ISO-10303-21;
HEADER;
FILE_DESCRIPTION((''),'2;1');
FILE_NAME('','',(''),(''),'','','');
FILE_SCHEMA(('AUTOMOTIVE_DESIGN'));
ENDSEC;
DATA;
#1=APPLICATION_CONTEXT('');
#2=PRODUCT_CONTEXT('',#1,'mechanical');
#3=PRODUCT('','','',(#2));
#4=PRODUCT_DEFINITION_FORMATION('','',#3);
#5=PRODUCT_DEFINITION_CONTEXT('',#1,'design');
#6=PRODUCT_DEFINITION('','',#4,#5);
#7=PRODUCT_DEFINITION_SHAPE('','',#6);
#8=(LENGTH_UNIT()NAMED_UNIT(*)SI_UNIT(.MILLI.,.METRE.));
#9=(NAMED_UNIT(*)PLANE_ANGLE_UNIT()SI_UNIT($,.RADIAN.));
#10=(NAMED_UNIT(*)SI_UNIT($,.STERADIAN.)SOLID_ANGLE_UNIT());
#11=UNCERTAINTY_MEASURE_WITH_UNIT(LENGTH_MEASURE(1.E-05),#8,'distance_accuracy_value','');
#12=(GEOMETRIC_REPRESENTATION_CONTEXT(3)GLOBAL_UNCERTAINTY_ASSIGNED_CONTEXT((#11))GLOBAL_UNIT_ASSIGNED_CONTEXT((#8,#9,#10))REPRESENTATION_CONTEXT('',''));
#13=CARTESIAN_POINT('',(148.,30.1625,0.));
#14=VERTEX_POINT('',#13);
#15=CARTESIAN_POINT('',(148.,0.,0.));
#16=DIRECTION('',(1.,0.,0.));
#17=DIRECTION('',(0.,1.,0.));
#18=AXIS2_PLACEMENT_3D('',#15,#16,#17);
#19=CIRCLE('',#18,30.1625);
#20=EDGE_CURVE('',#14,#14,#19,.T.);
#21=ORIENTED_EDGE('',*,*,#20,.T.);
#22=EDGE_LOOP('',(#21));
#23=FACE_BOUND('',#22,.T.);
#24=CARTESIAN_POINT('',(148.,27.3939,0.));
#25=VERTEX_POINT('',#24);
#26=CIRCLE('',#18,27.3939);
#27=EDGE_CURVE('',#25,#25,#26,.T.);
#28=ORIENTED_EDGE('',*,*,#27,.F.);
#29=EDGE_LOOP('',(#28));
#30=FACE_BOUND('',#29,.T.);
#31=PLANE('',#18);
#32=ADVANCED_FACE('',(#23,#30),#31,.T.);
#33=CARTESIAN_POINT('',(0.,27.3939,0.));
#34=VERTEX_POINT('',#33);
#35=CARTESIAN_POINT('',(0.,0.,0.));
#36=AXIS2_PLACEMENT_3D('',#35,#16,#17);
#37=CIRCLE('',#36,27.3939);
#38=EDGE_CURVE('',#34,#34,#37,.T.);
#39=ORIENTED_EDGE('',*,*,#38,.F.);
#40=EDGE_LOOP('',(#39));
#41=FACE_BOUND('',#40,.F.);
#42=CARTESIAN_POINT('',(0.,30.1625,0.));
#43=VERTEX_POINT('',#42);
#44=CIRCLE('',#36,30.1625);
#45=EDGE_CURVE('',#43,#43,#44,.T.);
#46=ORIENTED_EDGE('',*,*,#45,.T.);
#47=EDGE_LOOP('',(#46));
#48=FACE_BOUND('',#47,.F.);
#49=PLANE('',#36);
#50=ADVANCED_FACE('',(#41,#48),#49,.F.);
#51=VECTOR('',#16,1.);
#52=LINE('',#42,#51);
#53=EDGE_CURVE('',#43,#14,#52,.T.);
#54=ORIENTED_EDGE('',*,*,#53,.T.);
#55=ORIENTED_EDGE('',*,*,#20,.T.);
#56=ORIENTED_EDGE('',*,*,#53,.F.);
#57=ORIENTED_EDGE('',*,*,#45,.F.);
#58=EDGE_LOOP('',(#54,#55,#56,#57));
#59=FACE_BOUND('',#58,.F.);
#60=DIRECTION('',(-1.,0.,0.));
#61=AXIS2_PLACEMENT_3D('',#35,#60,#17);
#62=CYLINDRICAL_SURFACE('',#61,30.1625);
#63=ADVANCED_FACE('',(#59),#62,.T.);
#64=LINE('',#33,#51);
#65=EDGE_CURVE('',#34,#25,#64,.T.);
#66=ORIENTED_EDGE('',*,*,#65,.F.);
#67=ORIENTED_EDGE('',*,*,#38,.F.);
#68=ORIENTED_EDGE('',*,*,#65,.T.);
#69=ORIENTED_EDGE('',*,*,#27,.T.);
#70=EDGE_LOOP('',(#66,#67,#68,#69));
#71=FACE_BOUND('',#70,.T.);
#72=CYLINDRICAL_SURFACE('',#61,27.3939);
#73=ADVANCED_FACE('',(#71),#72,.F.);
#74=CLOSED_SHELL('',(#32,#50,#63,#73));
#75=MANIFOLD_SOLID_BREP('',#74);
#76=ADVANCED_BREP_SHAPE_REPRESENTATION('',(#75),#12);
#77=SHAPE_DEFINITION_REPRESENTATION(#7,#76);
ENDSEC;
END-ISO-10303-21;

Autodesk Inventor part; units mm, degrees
ref_plane "YZ Plane" through (0, 0, 0) normal (1, 0, 0) x (0, 1, 0)
ref_plane "XZ Plane" through (0, 0, 0) normal (0, 1, 0) x (-1, 0, 0)
ref_plane "XY Plane" through (0, 0, 0) normal (0, 0, 1) x (1, 0, 0)
sketch "Sketch1" plane through (0, 0, 0) normal (1, 0, 0) x (0, 1, 0)
  circle A0 centre (0, 0) radius 30.1625
  circle A1 centre (0, 0) radius 27.3939
  dimension "d0" = 60.325
  dimension "d1" = 2.7686
extrude "Extrusion1" add sketch "Sketch1" along normal blind 148
equation "\"d0\" = OD"
equation "\"d1\" = t"
equation "\"d2\" = L"
equation "\"OD\" = 60.325"
equation "\"t\" = 2.7686"
equation "\"L\" = EPL"
equation "\"ID\" = 54.7878"
equation "\"EPL\" = PL + GD"
equation "\"Size_Designation\" = 1.2345"
equation "\"OPL\" = 148.4"
equation "\"GD\" = 0"
equation "\"PL\" = 148"
properties material "Stainless Steel"
